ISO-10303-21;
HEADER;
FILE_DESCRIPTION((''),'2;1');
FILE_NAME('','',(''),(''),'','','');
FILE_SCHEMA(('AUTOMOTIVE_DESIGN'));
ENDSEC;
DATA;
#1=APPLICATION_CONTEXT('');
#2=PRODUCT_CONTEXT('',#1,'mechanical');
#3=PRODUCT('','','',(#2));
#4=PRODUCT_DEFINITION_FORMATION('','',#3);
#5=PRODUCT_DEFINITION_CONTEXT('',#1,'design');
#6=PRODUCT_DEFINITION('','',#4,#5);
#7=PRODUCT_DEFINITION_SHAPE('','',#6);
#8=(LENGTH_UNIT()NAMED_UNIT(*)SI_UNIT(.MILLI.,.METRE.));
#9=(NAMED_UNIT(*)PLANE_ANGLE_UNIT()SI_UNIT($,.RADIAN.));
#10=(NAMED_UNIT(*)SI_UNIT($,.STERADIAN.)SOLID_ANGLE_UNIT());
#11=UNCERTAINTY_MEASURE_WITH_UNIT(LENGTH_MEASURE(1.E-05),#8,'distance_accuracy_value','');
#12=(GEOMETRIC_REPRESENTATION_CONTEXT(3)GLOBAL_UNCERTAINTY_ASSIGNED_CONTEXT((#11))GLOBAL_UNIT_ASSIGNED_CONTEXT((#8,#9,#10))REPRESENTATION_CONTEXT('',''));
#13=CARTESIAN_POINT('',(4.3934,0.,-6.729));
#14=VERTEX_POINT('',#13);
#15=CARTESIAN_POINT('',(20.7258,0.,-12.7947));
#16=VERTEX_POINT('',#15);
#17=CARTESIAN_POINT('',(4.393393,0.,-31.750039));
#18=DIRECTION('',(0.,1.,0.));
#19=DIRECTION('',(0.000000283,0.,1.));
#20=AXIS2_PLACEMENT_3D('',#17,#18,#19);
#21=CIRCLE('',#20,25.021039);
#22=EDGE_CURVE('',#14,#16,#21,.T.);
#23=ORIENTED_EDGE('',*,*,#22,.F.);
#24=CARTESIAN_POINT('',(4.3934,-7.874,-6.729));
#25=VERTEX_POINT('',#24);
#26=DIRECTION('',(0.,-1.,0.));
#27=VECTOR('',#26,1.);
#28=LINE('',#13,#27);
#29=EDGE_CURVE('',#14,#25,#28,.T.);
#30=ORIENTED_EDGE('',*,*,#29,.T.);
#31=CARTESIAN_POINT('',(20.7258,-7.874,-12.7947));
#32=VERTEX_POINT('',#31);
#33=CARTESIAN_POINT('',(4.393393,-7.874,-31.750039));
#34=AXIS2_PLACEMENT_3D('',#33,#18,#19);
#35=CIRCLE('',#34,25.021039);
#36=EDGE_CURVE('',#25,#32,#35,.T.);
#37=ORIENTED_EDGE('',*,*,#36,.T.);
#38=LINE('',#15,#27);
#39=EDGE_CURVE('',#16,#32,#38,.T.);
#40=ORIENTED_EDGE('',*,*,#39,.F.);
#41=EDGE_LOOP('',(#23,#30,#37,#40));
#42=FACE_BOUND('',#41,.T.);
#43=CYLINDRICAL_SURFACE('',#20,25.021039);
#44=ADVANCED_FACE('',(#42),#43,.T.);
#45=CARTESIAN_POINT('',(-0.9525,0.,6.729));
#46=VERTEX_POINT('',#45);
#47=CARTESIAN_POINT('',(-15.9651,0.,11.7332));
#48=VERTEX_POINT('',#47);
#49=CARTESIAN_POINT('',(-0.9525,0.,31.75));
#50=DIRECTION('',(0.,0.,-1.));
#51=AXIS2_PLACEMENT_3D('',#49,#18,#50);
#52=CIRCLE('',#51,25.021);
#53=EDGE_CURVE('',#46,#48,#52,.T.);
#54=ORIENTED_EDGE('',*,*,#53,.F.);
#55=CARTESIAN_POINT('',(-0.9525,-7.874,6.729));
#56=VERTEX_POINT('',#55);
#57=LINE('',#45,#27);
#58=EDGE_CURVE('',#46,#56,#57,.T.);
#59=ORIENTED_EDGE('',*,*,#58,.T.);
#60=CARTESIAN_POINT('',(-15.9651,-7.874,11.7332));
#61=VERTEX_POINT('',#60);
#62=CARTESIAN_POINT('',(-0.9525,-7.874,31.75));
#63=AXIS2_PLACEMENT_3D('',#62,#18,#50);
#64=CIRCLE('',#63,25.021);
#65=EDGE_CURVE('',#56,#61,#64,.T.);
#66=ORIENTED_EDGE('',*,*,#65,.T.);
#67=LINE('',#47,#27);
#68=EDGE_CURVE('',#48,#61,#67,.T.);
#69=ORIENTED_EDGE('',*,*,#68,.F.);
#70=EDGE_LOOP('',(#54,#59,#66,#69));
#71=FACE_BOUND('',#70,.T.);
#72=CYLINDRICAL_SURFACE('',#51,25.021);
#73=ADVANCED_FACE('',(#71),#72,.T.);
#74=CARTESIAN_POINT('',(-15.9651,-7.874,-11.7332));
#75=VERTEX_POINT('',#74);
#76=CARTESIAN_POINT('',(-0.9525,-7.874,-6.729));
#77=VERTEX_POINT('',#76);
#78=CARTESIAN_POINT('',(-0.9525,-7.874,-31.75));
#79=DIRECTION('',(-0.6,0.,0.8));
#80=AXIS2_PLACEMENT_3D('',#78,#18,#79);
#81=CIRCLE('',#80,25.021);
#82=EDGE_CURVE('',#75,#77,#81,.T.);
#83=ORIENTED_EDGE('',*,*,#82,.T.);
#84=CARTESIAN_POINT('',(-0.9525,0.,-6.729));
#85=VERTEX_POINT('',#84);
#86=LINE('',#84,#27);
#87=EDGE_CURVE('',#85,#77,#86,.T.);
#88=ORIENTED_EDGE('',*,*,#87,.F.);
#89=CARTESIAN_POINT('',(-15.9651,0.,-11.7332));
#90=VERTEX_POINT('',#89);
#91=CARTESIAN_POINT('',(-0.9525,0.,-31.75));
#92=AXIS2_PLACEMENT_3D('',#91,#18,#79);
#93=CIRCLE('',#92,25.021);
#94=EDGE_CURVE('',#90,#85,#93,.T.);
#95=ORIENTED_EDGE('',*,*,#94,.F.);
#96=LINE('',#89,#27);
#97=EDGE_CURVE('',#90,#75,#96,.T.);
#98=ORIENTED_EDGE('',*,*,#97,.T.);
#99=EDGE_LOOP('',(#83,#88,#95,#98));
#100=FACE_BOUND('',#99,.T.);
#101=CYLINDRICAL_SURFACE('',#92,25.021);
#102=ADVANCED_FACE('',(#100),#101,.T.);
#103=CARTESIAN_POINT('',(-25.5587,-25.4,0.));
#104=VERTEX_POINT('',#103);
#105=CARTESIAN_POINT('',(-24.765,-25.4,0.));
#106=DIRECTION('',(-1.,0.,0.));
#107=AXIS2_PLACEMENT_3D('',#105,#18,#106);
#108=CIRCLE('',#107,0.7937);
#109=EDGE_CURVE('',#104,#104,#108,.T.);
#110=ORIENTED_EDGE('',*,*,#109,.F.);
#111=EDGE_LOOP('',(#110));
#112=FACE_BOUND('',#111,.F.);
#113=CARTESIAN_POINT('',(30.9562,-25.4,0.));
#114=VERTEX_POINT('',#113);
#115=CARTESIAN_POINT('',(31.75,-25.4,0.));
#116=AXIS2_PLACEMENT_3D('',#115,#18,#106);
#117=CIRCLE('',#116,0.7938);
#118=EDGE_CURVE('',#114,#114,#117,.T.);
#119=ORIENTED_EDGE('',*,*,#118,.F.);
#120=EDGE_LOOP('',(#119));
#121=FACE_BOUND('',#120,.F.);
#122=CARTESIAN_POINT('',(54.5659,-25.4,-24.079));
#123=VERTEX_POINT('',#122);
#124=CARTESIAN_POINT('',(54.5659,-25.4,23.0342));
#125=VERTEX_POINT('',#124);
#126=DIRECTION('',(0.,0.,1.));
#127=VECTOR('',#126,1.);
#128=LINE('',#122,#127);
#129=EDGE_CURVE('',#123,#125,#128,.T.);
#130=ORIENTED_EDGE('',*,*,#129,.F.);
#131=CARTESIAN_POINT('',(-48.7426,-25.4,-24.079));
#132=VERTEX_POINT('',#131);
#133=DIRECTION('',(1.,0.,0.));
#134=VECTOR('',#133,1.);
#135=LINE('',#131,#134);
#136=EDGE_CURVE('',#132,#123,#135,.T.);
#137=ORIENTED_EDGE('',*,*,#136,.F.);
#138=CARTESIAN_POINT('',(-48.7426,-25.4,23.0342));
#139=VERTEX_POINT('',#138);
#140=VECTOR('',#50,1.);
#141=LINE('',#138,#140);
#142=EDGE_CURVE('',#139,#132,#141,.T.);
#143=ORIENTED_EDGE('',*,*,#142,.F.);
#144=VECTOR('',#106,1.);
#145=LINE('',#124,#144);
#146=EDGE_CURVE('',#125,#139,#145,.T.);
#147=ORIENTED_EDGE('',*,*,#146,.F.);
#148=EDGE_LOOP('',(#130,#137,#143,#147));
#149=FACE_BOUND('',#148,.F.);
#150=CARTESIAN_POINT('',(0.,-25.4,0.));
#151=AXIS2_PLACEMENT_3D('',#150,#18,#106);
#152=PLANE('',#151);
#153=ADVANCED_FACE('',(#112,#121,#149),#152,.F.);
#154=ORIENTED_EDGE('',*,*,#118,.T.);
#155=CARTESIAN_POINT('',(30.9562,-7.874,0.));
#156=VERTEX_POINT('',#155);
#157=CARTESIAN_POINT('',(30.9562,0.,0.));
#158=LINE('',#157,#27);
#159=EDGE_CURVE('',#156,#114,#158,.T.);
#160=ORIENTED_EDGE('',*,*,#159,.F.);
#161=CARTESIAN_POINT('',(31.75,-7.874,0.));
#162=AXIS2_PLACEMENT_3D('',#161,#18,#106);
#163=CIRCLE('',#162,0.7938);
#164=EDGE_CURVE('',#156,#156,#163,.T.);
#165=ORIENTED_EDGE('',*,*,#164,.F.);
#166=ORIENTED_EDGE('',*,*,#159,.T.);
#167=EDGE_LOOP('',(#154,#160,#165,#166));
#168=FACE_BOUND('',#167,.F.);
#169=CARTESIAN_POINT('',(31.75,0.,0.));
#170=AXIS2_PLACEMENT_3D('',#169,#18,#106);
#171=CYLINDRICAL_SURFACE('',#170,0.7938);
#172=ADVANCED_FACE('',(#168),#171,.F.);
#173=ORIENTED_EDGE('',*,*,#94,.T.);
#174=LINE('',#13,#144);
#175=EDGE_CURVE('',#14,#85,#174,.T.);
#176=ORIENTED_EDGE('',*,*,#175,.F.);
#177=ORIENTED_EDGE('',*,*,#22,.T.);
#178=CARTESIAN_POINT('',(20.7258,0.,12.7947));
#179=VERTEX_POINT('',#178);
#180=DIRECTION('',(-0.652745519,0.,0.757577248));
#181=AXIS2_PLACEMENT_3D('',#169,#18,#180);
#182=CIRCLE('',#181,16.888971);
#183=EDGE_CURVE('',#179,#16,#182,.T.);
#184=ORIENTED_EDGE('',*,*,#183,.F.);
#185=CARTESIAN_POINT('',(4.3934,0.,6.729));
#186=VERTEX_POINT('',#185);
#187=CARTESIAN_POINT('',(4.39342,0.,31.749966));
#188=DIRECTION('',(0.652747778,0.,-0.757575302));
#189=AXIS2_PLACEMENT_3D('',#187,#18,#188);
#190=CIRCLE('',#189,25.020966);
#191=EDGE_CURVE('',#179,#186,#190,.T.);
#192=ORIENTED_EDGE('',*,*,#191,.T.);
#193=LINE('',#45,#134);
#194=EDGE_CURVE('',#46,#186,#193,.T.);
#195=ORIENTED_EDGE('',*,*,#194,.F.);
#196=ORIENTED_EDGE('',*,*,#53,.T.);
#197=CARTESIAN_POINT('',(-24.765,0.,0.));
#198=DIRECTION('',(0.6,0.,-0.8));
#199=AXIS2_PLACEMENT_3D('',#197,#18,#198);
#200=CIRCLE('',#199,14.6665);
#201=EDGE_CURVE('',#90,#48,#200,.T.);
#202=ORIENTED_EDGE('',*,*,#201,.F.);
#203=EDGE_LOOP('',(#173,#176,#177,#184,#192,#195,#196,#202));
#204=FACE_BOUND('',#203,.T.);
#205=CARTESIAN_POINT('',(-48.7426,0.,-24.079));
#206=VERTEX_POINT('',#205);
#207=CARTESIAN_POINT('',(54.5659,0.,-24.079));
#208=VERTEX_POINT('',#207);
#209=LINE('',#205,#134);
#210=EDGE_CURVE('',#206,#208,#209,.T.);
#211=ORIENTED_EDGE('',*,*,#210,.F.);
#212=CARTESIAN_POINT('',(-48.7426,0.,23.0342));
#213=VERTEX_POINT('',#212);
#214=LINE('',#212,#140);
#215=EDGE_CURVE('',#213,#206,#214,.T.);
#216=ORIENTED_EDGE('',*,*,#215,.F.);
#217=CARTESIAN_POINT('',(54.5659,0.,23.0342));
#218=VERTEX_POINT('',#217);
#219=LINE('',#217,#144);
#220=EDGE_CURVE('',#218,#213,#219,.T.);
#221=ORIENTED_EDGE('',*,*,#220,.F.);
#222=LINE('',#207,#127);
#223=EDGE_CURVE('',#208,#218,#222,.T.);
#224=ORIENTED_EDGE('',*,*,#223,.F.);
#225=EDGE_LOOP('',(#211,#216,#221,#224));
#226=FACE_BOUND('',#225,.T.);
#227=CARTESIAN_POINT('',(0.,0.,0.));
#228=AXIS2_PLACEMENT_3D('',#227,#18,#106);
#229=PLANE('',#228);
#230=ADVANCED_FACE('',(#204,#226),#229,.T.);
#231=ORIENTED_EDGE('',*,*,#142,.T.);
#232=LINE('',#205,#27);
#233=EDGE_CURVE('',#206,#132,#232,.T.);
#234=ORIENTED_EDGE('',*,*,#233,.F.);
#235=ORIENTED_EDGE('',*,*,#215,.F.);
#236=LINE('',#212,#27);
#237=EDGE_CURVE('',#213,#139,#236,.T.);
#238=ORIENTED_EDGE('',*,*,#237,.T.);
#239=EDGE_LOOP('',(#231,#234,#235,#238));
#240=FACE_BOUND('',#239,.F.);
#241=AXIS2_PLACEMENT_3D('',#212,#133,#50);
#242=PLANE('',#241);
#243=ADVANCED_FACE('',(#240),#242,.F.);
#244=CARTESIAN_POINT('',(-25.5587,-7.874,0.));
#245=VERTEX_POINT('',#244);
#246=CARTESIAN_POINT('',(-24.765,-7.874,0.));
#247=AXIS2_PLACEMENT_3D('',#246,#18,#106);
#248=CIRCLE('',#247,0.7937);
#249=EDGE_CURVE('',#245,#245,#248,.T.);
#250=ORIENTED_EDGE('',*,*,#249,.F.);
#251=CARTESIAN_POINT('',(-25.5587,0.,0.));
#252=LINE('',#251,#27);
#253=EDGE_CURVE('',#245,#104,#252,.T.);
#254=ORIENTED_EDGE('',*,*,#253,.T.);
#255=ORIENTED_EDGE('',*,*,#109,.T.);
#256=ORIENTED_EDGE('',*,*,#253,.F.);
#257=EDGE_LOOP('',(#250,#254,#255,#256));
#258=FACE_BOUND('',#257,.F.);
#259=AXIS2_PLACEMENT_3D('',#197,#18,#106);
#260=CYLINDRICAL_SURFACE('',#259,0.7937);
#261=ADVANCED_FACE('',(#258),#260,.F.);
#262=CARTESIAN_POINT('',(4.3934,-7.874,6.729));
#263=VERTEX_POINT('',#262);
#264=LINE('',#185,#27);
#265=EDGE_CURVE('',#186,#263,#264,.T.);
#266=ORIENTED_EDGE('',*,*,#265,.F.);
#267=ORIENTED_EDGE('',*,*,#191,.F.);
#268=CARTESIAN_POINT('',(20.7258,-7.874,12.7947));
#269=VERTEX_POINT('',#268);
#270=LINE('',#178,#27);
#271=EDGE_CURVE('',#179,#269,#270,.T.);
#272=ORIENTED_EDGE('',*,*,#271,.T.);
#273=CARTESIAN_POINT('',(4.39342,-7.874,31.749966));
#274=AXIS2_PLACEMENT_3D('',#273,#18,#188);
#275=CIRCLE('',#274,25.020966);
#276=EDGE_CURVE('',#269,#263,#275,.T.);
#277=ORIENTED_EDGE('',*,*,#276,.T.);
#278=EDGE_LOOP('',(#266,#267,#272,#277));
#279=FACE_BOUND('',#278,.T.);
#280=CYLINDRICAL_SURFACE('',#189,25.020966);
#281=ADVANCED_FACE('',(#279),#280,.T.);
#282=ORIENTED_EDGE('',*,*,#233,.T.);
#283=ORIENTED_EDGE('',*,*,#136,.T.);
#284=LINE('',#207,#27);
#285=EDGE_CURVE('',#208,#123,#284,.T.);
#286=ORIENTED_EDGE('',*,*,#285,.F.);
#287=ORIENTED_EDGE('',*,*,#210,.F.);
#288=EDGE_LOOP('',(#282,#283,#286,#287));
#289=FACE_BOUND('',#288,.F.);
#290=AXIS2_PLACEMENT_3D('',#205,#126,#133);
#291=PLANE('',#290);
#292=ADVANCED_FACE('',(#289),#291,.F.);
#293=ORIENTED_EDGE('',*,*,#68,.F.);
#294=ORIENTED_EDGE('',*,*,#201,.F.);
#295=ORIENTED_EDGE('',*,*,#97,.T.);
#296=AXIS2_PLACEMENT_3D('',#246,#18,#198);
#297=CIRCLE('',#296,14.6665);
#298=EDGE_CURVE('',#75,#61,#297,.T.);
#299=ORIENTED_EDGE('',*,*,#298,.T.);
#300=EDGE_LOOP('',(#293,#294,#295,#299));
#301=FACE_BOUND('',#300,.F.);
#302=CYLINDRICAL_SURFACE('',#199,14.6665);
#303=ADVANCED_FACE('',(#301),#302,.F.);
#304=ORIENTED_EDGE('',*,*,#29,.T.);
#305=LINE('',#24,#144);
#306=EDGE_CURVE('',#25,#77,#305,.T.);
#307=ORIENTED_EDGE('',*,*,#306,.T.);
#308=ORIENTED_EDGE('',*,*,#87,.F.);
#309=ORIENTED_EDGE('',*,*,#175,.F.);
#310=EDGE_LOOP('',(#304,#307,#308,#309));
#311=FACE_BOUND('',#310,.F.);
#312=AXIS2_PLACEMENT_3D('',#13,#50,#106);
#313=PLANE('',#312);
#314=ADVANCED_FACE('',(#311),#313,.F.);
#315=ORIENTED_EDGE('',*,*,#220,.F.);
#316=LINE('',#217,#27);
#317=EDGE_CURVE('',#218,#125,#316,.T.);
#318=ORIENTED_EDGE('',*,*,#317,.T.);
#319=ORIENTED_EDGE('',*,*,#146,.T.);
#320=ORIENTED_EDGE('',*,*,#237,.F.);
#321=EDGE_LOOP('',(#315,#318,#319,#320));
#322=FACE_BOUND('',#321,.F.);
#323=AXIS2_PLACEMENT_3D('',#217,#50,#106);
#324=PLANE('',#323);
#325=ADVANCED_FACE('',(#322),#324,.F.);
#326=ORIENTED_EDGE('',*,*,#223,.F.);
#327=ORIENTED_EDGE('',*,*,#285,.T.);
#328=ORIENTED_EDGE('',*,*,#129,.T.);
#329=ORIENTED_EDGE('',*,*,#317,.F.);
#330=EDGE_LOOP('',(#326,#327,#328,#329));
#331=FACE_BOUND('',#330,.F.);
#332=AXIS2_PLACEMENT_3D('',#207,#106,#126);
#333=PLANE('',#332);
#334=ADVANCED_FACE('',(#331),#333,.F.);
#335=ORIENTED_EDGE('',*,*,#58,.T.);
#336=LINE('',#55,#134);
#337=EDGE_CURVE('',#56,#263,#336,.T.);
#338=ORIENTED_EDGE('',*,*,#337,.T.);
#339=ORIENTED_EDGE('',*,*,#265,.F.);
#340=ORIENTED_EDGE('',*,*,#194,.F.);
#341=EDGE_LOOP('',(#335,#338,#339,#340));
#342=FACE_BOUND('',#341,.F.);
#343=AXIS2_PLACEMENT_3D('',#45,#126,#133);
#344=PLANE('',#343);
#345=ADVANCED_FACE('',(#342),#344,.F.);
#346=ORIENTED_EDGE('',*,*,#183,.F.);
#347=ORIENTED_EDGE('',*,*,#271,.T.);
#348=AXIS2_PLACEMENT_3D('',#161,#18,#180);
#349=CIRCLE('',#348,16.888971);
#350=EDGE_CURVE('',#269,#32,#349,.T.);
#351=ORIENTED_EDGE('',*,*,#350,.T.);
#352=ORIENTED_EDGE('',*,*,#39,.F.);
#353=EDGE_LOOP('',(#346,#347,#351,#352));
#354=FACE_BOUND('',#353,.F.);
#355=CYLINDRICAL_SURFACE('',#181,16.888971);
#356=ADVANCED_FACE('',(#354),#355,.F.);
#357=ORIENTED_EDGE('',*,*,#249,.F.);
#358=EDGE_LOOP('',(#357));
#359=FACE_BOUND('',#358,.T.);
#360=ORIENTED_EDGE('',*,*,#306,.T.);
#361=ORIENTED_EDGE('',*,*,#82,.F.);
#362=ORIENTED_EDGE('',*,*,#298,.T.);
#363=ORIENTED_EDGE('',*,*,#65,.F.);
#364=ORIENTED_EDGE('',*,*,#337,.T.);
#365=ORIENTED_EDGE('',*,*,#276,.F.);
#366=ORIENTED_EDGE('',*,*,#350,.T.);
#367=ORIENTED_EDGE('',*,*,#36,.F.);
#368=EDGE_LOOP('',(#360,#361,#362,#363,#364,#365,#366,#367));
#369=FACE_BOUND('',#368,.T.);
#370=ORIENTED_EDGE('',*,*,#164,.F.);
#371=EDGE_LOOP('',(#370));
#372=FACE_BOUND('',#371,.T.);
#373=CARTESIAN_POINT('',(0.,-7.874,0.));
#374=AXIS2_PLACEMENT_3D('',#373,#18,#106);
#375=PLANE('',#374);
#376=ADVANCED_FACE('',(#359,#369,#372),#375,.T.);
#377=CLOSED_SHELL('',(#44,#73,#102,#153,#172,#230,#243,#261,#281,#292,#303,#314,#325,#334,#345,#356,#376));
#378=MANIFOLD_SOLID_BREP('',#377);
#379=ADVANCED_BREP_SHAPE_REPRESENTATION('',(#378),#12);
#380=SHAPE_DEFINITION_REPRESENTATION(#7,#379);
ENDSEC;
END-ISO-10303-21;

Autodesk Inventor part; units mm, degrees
ref_plane "YZ Plane" through (0, 0, 0) normal (1, 0, 0) x (0, 1, 0)
ref_plane "XZ Plane" through (0, 0, 0) normal (0, 1, 0) x (-1, 0, 0)
ref_plane "XY Plane" through (0, 0, 0) normal (0, 0, 1) x (1, 0, 0)
sketch "Sketch1" plane through (0, 0, 0) normal (0, 1, 0) x (-1, 0, 0)
  circle A0 centre (-31.75, 0) radius 11.0744
  circle A1 centre (24.765, 0) radius 9.652
  line L0 (-4.3934, -6.35) -> (0.9525, -6.35)
  arc A2 (16.1925, -11.43) -> (16.1925, 11.43) centre (24.765, 0) ccw
  arc A3 (-20.9731, 12.5076) -> (-20.9731, -12.5076) centre (-31.75, 0) ccw
  line L1 (-4.3934, 6.35) -> (0.9525, 6.35)
  line L2 (-54.5659, 23.0342) -> (48.7426, 23.0342)
  line L3 (48.7426, 23.0342) -> (48.7426, -24.079)
  line L4 (48.7426, -24.079) -> (-54.5659, -24.079)
  line L5 (-54.5659, -24.079) -> (-54.5659, 23.0342)
  arc A4 (-20.9731, 12.5076) -> (-4.3934, 6.35) centre (-4.3934, 31.75) ccw
  arc A5 (0.9525, 6.35) -> (16.1925, 11.43) centre (0.9525, 31.75) ccw
  arc A6 (16.1925, -11.43) -> (0.9525, -6.35) centre (0.9525, -31.75) ccw
  arc A7 (-4.3934, -6.35) -> (-20.9731, -12.5076) centre (-4.3934, -31.75) ccw
  arc A8 (0.9525, 6.729) -> (15.9651, 11.7332) centre (0.9525, 31.75) ccw
  line L6 (0.9525, 6.729) -> (-4.3934, 6.729)
  arc A9 (-20.7258, 12.7947) -> (-4.3934, 6.729) centre (-4.3934, 31.75) ccw
  arc A10 (-20.7258, 12.7947) -> (-20.7258, -12.7947) centre (-31.75, 0) ccw
  arc A11 (-4.3934, -6.729) -> (-20.7258, -12.7947) centre (-4.3934, -31.75) ccw
  line L7 (-4.3934, -6.729) -> (0.9525, -6.729)
  arc A12 (15.9651, -11.7332) -> (0.9525, -6.729) centre (0.9525, -31.75) ccw
  arc A13 (15.9651, -11.7332) -> (15.9651, 11.7332) centre (24.765, 0) ccw
  circle A14 centre (24.765, 0) radius 0.7937
  circle A15 centre (-31.75, 0) radius 0.7938
  point P0 (0, 0)
  point P1 (-16.51, -6.35)
  point P2 (-16.51, 6.35)
  point P3 (11.9662, -6.35)
  point P4 (11.9662, 6.35)
  dimension "d15" = 22.1488
  dimension "d17" = 12.7
  dimension "d18" = 33.02
  dimension "d19" = 19.304
  dimension "d20" = 28.575
  dimension "d21" = 56.515
  dimension "d35" = 25.4
  dimension "d40" = 1.5875
  dimension "d41" = 1.5875
extrude "Extrusion3" add sketch "Sketch1" against normal blind 25.4 contours A0 | A1 | A7 A3 A4 L1 A5 A2 A6 L0 | L2 L3 L4 L5 | A8 A13 A12 L7 A11 A10 A9 L6 | A14 | A15
extrude "Extrusion4" cut sketch "Sketch1" against normal blind 7.874 contours A0 | A1 | A7 A3 A4 L1 A5 A2 A6 L0 | A8 A13 A12 L7 A11 A10 A9 L6 | A14 | A15
extrude "Extrusion5" cut sketch "Sketch1" against normal blind 254 contours A14 | A15
properties part number "C.Connecting Rod Cutting Jig"
